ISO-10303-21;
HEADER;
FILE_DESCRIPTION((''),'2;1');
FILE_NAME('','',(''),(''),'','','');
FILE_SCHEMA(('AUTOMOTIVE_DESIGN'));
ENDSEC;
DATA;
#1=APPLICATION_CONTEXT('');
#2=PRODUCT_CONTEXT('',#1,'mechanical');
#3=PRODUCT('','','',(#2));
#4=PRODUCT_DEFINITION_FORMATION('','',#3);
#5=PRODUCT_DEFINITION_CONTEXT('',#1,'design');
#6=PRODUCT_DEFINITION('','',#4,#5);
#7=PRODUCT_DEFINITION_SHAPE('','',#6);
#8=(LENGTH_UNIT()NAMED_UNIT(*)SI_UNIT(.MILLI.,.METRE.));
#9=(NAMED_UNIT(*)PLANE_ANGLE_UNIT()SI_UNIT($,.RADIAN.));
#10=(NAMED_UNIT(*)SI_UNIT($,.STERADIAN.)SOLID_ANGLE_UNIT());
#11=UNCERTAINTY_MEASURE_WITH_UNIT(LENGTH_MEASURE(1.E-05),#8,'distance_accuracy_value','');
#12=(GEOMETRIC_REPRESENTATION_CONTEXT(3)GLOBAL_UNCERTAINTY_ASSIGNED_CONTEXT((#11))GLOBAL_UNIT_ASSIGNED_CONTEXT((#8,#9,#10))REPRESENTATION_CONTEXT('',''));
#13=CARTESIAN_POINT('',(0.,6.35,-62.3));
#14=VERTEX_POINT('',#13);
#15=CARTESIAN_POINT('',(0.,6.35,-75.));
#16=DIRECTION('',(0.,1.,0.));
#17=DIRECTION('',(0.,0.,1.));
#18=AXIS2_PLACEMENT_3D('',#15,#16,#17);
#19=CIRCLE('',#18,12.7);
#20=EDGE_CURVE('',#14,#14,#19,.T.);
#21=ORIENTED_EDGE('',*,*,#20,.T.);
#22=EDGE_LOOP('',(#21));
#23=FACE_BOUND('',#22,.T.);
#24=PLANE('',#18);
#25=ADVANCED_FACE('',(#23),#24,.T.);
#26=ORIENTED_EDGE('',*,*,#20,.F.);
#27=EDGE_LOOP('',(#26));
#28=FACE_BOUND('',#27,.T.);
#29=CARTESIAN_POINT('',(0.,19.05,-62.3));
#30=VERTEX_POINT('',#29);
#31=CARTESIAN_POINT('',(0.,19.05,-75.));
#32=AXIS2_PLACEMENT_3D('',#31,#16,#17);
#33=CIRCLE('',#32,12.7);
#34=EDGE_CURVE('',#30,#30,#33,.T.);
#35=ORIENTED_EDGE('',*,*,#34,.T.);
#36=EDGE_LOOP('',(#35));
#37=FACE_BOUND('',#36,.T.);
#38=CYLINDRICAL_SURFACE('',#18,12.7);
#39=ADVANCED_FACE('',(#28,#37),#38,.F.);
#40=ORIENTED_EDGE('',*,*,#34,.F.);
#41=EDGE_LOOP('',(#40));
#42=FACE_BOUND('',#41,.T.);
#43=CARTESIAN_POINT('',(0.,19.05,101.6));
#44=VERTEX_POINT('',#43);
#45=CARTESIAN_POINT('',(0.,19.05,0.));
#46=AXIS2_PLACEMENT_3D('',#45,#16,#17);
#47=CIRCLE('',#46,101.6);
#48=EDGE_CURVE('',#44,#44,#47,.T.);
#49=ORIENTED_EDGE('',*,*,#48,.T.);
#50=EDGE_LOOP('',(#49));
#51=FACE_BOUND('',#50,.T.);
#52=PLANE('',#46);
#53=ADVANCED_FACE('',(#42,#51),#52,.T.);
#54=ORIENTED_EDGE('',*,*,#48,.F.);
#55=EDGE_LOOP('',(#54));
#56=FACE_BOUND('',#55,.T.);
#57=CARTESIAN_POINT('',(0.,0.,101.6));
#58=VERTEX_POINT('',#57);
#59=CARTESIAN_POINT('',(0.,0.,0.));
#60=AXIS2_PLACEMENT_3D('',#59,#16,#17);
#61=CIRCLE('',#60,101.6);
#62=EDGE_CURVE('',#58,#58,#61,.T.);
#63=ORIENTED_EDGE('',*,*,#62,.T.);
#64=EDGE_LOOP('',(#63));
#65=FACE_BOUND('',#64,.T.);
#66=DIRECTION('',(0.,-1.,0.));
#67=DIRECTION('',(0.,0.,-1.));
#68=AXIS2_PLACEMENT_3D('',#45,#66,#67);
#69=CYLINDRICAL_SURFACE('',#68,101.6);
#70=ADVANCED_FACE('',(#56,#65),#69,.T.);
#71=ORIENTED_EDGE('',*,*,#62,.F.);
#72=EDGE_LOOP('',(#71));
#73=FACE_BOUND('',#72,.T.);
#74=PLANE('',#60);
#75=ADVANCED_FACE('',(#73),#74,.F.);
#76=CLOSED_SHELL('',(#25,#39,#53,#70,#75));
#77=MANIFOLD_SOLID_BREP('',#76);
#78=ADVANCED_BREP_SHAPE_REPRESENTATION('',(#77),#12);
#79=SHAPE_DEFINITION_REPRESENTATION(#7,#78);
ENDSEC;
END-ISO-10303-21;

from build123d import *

# Parameters (mm, degrees)
SKETCH1_R           = 101.6
BOSS_EXTRUDE1_DEPTH = 19.05
SKETCH2_R           = 12.7
CUT_EXTRUDE1_DEPTH  = 12.7


with BuildPart() as part:
    # Sketch1 → Boss-Extrude1 (new body)
    with BuildSketch(Plane(origin=(0, 0, 0), x_dir=(1, 0, 0), z_dir=(0, 1, 0))):
        Circle(SKETCH1_R)
    extrude(amount=BOSS_EXTRUDE1_DEPTH)

    # Sketch2 → Cut-Extrude1 (cut)
    with BuildSketch(Plane(origin=(0, 19.05, 0), x_dir=(1, 0, 0), z_dir=(0, 1, 0))):
        with Locations((0, 75)):
            Circle(SKETCH2_R)
    extrude(amount=-CUT_EXTRUDE1_DEPTH, mode=Mode.SUBTRACT)


solid = part.part
